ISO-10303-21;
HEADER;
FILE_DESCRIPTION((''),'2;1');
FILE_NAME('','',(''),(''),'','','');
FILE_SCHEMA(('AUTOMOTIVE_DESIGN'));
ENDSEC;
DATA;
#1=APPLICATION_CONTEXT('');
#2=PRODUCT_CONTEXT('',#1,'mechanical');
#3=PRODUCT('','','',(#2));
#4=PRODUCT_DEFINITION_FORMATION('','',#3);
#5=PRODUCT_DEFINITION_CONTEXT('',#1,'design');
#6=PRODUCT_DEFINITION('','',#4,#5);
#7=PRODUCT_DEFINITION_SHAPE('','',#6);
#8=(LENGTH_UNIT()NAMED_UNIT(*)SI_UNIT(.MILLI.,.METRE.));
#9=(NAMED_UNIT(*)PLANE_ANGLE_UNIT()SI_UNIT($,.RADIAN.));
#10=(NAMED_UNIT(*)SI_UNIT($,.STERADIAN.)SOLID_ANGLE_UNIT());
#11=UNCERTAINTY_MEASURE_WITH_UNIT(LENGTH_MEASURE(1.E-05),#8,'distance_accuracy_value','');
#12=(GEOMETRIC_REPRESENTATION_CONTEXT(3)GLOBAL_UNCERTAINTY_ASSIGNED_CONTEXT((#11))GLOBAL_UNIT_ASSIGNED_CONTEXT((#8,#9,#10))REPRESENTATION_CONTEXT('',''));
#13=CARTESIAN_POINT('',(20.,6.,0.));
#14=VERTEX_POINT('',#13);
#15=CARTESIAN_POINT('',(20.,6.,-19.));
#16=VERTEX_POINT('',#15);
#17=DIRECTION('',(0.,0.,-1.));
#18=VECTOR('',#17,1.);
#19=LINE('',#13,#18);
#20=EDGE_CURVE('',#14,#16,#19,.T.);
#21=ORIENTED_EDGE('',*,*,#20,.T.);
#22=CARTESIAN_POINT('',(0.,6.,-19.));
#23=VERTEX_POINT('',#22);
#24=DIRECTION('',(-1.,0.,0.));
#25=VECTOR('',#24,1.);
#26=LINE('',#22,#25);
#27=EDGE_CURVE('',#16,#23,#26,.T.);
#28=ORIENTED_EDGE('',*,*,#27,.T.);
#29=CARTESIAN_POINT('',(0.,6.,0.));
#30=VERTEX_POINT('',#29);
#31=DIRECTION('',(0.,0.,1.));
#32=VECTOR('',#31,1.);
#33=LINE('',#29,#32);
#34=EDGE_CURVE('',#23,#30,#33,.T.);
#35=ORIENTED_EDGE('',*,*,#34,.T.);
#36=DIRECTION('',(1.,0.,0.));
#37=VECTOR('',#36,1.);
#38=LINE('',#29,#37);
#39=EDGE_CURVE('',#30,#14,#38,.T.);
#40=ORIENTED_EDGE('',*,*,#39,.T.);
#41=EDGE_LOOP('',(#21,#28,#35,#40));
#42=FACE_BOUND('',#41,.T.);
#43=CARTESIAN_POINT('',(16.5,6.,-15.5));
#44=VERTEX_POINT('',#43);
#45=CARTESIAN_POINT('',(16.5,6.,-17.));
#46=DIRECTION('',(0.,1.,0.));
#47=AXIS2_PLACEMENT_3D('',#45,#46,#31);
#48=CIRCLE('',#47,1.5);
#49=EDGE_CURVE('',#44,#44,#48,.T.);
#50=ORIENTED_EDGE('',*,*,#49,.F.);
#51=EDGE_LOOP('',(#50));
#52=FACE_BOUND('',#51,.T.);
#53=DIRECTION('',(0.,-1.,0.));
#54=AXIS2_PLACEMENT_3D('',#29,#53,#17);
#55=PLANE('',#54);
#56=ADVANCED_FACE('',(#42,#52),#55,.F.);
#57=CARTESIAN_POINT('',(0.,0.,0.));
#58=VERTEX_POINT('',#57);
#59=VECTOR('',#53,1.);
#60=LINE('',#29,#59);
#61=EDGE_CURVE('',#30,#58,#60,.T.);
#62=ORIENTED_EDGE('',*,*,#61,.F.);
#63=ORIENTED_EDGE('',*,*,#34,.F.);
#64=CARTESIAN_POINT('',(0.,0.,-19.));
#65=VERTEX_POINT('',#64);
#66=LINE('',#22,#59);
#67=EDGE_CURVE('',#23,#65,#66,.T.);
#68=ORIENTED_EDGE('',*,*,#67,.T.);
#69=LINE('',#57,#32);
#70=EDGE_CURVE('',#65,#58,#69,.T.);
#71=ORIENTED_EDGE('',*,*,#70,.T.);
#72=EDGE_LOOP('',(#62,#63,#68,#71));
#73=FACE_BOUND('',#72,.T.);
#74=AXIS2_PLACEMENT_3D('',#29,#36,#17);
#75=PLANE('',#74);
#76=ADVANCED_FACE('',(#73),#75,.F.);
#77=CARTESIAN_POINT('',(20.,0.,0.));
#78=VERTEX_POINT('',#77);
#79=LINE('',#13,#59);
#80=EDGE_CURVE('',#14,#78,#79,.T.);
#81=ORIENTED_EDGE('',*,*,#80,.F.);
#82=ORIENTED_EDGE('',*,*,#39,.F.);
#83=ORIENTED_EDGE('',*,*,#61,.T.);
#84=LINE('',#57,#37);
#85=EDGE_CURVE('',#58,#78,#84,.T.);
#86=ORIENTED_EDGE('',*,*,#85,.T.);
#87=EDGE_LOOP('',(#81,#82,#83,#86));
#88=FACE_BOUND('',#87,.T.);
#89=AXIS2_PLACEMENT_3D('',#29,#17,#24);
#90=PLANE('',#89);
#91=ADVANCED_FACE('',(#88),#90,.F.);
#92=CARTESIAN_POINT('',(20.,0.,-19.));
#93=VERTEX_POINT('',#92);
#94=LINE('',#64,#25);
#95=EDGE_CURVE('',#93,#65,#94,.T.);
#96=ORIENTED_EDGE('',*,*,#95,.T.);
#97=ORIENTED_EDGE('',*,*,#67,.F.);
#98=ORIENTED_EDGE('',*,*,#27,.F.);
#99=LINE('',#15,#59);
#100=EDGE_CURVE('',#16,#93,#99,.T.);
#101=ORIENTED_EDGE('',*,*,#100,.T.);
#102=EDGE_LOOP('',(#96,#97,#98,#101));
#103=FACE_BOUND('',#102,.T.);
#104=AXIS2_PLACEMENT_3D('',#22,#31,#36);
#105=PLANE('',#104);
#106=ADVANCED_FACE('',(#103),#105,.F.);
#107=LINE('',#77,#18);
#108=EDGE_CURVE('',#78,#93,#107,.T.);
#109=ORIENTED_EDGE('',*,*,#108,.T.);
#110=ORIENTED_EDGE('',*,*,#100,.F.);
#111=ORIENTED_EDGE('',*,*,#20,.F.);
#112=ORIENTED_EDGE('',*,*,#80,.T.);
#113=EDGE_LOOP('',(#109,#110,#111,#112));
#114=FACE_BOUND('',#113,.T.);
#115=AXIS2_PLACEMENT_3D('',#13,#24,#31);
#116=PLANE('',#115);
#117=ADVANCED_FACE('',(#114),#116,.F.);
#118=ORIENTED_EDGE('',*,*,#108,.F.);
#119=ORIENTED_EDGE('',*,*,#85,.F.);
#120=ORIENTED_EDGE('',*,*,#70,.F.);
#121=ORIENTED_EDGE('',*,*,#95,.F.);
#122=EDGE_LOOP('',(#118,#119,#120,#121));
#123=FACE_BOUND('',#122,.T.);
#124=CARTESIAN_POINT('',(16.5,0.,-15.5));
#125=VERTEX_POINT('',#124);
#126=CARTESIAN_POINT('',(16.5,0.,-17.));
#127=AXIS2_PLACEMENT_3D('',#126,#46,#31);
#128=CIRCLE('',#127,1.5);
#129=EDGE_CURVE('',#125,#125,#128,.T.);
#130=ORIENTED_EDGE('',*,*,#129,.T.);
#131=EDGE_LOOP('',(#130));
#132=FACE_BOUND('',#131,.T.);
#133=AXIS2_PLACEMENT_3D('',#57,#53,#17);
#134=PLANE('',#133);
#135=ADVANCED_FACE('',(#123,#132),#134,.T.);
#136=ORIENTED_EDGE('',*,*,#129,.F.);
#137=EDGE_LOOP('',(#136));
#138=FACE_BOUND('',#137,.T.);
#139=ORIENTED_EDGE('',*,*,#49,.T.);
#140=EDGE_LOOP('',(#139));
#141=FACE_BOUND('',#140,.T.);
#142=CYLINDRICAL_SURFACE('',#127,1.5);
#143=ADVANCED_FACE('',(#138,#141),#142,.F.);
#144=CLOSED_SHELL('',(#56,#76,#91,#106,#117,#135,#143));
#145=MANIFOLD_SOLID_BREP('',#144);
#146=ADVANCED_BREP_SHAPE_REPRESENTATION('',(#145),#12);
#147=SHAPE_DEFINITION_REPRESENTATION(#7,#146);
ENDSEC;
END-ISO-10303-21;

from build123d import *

# Parameters (mm, degrees)
ESQUISSE1_W             = 20
ESQUISSE1_H             = 19
BOSS_EXTRU_1_DEPTH      = 6
ESQUISSE2_R             = 1.5
ENL_V_MAT_EXTRU_1_DEPTH = 6


with BuildPart() as part:
    # Esquisse1 → Boss.-Extru.1 (new body)
    with BuildSketch(Plane(origin=(0, 0, 0), x_dir=(1, 0, 0), z_dir=(0, 1, 0))):
        with Locations((10, 9.5)):
            Rectangle(ESQUISSE1_W, ESQUISSE1_H)
    extrude(amount=BOSS_EXTRU_1_DEPTH)

    # Esquisse2 → Enlèv. mat.-Extru.1 (cut)
    with BuildSketch(Plane(origin=(0, 6, 0), x_dir=(1, 0, 0), z_dir=(0, 1, 0))):
        with Locations(Location((16.5, 17, 0), (0, 0, 270))):
            Circle(ESQUISSE2_R)
    extrude(amount=-ENL_V_MAT_EXTRU_1_DEPTH, mode=Mode.SUBTRACT)


solid = part.part
